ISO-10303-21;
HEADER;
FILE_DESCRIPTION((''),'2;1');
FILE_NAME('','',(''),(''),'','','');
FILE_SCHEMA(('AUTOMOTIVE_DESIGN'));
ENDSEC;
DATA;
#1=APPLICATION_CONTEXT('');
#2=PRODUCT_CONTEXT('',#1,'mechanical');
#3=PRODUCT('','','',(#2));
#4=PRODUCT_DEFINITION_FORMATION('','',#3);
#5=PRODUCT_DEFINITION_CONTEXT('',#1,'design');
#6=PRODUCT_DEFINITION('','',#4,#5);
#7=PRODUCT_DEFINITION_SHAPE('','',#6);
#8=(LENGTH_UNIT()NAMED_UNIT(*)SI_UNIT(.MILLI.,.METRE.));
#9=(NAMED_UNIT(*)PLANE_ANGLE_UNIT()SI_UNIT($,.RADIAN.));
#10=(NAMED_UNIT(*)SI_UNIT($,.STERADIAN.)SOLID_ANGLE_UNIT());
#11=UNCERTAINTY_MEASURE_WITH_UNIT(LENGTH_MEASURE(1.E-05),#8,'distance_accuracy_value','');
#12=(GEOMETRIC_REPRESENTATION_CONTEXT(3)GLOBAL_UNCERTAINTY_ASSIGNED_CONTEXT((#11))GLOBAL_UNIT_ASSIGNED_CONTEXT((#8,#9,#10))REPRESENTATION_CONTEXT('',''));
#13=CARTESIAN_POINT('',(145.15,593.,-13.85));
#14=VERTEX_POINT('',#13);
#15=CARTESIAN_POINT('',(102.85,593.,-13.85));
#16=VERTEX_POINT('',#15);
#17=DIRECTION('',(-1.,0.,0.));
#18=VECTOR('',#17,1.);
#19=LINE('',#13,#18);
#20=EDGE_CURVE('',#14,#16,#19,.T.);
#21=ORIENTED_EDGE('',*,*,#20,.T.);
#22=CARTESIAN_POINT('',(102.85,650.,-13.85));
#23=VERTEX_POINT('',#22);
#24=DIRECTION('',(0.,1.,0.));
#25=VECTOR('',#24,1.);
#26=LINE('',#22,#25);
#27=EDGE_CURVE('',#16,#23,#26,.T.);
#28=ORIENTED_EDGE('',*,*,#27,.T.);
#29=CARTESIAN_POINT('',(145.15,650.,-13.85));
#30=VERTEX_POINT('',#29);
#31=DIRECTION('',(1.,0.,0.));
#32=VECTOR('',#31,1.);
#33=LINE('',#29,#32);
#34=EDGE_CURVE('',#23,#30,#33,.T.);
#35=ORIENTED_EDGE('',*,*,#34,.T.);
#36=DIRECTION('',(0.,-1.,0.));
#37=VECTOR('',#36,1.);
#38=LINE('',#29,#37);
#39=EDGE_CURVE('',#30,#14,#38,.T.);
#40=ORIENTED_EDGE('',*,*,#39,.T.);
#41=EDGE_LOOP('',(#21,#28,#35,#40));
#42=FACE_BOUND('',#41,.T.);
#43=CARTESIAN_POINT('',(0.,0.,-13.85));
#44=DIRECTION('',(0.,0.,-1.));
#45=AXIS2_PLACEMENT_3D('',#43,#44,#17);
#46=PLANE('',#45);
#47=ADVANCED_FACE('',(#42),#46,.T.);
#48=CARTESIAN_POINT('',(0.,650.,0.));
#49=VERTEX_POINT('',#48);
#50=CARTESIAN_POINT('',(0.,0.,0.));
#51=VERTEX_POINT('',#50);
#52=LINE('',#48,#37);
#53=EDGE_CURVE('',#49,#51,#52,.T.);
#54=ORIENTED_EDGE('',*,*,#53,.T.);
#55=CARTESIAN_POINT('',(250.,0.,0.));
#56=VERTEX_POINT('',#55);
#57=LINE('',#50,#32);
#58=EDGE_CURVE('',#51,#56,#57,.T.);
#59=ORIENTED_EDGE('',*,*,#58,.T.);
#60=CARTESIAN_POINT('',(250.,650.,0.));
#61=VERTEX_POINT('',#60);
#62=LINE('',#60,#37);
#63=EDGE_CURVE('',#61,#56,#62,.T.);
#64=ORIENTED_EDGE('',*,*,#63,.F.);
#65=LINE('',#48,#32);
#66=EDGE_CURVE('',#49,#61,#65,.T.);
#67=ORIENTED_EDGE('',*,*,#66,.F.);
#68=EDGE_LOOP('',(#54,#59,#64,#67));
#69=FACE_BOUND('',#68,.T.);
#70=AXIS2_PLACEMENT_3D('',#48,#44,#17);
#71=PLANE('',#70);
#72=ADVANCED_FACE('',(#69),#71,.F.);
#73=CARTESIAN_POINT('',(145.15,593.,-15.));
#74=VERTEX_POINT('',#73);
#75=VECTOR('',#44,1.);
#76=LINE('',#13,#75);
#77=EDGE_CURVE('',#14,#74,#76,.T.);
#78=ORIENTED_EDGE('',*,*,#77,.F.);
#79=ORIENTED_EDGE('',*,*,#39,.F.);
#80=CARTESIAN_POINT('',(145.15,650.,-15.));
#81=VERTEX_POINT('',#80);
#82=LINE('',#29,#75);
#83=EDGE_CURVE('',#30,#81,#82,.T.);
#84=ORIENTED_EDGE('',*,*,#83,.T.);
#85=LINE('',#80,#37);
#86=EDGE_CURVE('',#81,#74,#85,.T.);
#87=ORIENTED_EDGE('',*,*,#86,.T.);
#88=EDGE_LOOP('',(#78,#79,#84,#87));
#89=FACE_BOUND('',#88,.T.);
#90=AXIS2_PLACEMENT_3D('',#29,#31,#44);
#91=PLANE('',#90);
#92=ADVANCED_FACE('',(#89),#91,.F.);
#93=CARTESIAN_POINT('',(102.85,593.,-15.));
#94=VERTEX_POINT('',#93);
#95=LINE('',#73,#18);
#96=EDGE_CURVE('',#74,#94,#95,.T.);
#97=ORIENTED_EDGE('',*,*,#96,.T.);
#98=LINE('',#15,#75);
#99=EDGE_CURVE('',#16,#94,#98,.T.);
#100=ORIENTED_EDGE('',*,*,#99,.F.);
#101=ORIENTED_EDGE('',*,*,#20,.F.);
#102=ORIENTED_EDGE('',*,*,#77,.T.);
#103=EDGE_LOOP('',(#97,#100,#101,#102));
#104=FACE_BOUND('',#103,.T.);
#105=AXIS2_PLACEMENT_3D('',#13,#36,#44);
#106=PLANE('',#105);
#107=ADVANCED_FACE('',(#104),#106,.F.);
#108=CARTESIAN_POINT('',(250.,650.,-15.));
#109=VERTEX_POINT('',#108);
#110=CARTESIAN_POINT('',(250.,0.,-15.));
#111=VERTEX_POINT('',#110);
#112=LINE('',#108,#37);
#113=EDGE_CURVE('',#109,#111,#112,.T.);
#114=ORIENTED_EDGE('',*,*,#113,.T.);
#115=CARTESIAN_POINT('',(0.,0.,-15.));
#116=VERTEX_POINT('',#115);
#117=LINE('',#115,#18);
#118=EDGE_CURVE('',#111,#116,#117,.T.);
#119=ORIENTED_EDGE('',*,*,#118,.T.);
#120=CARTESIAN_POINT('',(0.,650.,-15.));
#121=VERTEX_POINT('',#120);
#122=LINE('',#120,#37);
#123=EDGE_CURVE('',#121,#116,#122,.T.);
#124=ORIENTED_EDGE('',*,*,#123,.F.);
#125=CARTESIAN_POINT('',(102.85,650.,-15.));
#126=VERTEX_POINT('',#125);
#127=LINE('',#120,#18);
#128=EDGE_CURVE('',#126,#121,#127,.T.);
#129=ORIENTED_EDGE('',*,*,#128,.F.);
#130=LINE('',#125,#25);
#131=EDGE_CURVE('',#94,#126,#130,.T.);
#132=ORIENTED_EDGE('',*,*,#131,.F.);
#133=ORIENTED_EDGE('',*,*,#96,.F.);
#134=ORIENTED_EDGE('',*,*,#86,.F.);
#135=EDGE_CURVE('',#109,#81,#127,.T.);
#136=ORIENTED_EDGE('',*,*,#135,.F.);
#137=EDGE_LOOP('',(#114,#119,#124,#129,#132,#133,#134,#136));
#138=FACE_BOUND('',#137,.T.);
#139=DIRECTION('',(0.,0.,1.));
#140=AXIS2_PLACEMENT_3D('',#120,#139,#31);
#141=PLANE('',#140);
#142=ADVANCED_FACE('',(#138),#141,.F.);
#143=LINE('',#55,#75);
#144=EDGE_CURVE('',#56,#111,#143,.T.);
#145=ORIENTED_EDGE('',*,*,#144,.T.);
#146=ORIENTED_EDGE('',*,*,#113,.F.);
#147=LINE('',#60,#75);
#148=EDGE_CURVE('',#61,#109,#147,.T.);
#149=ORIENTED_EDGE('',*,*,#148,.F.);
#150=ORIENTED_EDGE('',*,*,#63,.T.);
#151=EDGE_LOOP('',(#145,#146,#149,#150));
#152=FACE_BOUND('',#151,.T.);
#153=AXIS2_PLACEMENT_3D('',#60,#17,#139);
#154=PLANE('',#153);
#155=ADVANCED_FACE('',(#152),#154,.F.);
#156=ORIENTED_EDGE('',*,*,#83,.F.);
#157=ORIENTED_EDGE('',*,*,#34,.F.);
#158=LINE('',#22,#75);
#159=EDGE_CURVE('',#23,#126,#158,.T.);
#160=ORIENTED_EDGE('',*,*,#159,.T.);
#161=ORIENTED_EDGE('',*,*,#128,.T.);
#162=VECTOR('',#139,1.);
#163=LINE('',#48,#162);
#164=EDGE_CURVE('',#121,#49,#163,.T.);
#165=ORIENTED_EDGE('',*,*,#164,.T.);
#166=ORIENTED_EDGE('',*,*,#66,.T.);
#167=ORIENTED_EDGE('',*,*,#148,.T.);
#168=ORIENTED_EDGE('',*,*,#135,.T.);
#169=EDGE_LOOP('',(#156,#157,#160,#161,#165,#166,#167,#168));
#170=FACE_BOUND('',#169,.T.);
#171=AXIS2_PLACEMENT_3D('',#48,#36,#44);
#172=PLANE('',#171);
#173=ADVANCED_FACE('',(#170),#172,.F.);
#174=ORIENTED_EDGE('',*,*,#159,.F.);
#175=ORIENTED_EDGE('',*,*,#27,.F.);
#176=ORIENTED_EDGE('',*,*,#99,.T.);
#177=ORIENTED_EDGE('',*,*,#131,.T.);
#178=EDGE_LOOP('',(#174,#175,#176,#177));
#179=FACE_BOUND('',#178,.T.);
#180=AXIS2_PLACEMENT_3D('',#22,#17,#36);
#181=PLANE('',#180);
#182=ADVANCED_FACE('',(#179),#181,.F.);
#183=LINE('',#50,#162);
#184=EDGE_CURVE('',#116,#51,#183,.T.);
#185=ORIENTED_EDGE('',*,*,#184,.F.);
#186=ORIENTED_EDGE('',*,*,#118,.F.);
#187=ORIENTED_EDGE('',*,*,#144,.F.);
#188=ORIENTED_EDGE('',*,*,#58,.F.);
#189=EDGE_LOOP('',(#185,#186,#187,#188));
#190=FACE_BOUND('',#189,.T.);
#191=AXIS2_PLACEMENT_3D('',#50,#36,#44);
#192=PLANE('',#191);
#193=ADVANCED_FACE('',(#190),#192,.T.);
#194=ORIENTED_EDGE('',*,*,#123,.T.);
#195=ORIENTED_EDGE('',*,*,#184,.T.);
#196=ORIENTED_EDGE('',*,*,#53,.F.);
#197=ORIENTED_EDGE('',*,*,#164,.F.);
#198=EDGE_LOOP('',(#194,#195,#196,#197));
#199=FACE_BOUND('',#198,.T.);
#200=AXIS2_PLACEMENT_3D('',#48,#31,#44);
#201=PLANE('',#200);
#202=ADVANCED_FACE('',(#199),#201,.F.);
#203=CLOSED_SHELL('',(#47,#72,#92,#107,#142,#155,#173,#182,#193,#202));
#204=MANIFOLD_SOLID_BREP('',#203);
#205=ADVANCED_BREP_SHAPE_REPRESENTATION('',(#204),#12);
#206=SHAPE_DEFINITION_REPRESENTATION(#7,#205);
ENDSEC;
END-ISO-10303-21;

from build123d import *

# Parameters (mm, degrees)
SKETCH1_W           = 250
SKETCH1_H           = 15
BOSS_EXTRUDE1_DEPTH = 650
SKETCH3_W           = 42.3
SKETCH3_H           = 57
CUT_EXTRUDE2_DEPTH  = 1.15


with BuildPart() as part:
    # Sketch1 → Boss-Extrude1 (new body)
    with BuildSketch(Plane(origin=(0, 0, 0), x_dir=(1, 0, 0), z_dir=(0, 1, 0))):
        with Locations((125, 7.5)):
            Rectangle(SKETCH1_W, SKETCH1_H)
    extrude(amount=BOSS_EXTRUDE1_DEPTH)

    # Sketch3 → Cut-Extrude2 (cut)
    with BuildSketch(Plane(origin=(0, 0, -15), x_dir=(-1, 0, 0), z_dir=(0, 0, -1))):
        with Locations((-124, 621.5)):
            Rectangle(SKETCH3_W, SKETCH3_H)
    extrude(amount=-CUT_EXTRUDE2_DEPTH, mode=Mode.SUBTRACT)


solid = part.part
